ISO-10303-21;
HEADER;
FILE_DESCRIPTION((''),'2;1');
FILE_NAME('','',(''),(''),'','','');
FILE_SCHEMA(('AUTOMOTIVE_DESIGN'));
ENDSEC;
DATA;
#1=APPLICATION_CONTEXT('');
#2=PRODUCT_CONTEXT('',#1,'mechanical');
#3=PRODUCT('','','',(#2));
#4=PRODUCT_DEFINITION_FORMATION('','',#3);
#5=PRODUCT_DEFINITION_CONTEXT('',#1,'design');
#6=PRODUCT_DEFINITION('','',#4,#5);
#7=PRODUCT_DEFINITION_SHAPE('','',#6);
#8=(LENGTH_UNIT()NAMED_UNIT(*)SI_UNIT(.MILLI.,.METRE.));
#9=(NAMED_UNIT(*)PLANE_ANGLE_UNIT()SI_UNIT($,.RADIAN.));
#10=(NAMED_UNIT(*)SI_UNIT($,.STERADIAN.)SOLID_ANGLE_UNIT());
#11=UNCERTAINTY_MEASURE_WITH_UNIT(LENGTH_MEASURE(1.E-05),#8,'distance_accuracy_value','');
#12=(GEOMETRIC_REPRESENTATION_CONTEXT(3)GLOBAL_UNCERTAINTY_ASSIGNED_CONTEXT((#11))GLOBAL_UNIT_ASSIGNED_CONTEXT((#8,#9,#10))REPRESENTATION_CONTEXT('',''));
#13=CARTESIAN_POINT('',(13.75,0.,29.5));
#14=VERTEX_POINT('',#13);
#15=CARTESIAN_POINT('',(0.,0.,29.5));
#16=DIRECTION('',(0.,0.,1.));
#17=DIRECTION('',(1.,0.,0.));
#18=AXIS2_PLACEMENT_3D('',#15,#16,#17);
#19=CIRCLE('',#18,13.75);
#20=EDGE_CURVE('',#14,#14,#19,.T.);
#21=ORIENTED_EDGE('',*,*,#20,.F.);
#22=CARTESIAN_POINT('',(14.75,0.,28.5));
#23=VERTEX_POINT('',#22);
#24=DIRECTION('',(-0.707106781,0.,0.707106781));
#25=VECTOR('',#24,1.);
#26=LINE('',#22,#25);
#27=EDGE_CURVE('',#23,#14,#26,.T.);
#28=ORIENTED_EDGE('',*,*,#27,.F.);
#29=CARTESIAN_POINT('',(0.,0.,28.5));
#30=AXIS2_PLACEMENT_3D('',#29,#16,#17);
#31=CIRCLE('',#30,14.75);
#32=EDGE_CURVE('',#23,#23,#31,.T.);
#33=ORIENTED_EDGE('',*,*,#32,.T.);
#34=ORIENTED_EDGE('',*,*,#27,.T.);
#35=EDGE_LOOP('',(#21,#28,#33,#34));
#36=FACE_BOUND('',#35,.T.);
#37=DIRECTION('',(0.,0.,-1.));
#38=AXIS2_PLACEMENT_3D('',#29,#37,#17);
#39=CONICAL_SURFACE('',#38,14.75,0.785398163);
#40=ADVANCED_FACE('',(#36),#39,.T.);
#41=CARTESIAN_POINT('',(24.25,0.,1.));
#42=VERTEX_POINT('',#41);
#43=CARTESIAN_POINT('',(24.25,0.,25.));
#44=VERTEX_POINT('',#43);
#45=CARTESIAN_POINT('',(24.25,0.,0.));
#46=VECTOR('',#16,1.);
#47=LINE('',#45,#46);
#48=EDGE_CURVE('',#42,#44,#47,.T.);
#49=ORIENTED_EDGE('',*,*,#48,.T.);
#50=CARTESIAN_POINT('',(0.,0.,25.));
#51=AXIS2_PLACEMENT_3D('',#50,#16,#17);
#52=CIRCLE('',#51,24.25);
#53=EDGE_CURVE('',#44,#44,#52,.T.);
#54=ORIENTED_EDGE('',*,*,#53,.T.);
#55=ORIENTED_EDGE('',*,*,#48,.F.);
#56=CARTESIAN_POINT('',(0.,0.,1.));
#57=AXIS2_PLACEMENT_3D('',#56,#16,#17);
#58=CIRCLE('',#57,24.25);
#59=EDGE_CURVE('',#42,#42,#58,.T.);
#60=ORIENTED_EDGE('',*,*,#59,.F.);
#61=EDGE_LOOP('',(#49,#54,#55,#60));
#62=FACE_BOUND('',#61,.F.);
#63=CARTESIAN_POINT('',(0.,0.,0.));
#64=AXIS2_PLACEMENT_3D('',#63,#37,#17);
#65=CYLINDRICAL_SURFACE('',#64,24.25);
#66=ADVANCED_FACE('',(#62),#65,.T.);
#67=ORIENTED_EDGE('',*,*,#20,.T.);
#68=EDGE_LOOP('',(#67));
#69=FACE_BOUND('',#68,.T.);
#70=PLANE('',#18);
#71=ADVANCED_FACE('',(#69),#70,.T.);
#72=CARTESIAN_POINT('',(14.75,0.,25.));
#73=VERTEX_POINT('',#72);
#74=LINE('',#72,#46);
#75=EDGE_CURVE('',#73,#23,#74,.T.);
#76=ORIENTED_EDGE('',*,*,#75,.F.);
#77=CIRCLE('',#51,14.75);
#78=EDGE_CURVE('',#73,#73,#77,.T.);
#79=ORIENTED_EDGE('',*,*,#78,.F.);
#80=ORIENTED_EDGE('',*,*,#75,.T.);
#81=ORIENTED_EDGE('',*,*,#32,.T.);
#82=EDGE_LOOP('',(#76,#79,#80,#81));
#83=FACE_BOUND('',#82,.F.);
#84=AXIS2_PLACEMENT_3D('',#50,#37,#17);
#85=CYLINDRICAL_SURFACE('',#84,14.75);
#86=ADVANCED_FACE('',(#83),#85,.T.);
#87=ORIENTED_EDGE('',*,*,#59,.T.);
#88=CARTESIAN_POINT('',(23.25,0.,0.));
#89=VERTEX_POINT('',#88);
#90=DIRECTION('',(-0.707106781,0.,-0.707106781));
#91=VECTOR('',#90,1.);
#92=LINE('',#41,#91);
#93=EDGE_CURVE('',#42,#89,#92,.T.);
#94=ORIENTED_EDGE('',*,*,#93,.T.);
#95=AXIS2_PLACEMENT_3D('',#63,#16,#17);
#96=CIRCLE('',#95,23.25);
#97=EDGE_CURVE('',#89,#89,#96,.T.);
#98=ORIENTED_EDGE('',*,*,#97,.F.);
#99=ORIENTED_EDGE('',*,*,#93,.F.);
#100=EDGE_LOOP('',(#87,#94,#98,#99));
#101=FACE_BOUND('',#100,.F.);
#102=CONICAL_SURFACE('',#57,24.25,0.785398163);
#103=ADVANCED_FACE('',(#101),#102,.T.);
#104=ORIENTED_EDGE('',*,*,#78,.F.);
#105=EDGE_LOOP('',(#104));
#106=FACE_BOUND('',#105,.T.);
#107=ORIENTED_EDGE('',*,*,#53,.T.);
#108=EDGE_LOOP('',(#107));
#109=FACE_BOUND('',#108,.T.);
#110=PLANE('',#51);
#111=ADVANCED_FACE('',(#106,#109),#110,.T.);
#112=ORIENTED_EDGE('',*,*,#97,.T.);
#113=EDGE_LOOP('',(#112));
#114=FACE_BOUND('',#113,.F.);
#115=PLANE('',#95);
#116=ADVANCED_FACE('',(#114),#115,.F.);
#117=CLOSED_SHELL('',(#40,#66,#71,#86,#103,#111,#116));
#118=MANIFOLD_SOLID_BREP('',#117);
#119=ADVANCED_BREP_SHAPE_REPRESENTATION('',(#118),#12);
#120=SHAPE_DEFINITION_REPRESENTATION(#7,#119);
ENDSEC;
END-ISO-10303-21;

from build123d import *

# Parameters (mm, degrees)
F0_R     = 24.25
F1_DEPTH = 25
F2_R     = 14.75
F3_DEPTH = 4.5
F4_SIZE  = 1


with BuildPart() as f1:
    # F0 (on Top) → F1 (new body)
    with BuildSketch(Plane.XY):
        Circle(F0_R)
    extrude(amount=F1_DEPTH)

    # F2 (on face) → F3 (join)
    with BuildSketch(Plane.XY.offset(25)):
        Circle(F2_R)
    extrude(amount=F3_DEPTH)

    # F4
    f4_edges = [f1.edges().sort_by_distance(p)[0] for p in [
        (-14.75, 0, 29.5),
        (-24.25, 0, 0),
    ]]
    chamfer(f4_edges, length=F4_SIZE)


solid = f1.part
